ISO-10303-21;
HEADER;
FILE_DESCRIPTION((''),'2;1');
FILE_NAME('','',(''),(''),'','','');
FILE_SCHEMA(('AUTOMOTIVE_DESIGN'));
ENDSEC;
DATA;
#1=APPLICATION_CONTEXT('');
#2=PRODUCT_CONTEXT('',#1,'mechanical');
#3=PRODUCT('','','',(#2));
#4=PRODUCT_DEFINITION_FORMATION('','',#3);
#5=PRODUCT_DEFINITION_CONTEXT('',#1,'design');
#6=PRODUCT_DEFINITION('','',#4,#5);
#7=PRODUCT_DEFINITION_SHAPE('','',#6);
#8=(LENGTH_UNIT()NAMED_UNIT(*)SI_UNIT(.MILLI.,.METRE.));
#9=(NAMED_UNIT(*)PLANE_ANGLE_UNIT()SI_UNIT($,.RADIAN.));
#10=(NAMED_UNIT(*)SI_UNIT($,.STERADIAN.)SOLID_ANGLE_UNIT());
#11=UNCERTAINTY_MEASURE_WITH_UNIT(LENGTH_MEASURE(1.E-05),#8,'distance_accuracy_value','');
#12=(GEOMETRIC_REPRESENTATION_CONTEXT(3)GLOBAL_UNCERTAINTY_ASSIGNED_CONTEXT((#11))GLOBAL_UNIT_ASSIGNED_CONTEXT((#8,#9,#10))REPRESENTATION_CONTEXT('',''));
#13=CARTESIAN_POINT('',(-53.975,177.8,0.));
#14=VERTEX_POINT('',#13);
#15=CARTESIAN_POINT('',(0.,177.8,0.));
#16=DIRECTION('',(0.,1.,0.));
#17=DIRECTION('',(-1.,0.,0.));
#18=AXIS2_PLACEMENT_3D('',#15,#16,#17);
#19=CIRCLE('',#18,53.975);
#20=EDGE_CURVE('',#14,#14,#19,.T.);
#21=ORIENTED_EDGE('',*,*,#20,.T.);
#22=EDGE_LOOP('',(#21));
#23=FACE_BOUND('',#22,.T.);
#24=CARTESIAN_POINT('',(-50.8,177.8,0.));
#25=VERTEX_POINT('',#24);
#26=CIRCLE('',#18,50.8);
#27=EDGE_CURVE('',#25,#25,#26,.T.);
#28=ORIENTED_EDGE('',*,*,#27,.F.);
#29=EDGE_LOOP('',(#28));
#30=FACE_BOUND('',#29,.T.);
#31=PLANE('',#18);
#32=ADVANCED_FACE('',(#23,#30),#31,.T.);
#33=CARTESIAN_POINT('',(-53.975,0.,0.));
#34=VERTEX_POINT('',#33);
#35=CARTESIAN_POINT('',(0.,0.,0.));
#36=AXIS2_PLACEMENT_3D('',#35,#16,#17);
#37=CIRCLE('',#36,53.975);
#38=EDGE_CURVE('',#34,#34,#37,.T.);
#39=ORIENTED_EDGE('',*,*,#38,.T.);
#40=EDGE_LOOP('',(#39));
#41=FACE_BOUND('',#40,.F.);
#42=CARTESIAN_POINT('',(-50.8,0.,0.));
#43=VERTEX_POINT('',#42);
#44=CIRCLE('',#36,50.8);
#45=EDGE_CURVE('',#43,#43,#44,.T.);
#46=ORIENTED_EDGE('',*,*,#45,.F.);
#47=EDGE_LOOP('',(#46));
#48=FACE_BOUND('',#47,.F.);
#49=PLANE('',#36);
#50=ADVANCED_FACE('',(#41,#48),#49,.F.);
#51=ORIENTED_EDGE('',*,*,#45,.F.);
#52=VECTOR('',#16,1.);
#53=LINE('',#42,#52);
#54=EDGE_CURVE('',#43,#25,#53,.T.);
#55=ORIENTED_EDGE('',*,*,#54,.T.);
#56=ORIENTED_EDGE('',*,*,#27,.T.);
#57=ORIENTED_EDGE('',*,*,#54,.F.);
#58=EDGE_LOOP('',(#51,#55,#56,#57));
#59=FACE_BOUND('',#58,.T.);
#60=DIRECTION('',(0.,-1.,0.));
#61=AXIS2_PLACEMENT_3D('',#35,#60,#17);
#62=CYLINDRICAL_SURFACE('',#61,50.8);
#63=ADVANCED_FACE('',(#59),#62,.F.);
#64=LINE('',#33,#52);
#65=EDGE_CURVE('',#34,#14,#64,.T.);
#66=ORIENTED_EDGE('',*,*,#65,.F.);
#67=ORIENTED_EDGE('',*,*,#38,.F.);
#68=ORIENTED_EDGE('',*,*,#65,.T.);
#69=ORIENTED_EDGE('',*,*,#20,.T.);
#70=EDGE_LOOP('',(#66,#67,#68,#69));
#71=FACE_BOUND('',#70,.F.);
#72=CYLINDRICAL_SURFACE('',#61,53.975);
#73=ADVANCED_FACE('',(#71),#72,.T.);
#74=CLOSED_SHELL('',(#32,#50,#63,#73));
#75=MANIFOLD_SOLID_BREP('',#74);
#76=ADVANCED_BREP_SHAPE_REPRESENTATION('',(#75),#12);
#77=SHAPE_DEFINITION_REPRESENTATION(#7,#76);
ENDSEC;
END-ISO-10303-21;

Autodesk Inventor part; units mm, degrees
ref_plane "YZ Plane" through (0, 0, 0) normal (1, 0, 0) x (0, 1, 0)
ref_plane "XZ Plane" through (0, 0, 0) normal (0, 1, 0) x (-1, 0, 0)
ref_plane "XY Plane" through (0, 0, 0) normal (0, 0, 1) x (1, 0, 0)
sketch "Sketch1" plane through (0, 0, 0) normal (0, 1, 0) x (-1, 0, 0)
  circle A0 centre (0, 0) radius 50.8
  circle A1 centre (0, 0) radius 53.975
  dimension "d0" = 101.6
  dimension "d1" = 107.95
extrude "Extrusion1" add sketch "Sketch1" along normal blind 177.8
properties part number "4in ID 7in length"
